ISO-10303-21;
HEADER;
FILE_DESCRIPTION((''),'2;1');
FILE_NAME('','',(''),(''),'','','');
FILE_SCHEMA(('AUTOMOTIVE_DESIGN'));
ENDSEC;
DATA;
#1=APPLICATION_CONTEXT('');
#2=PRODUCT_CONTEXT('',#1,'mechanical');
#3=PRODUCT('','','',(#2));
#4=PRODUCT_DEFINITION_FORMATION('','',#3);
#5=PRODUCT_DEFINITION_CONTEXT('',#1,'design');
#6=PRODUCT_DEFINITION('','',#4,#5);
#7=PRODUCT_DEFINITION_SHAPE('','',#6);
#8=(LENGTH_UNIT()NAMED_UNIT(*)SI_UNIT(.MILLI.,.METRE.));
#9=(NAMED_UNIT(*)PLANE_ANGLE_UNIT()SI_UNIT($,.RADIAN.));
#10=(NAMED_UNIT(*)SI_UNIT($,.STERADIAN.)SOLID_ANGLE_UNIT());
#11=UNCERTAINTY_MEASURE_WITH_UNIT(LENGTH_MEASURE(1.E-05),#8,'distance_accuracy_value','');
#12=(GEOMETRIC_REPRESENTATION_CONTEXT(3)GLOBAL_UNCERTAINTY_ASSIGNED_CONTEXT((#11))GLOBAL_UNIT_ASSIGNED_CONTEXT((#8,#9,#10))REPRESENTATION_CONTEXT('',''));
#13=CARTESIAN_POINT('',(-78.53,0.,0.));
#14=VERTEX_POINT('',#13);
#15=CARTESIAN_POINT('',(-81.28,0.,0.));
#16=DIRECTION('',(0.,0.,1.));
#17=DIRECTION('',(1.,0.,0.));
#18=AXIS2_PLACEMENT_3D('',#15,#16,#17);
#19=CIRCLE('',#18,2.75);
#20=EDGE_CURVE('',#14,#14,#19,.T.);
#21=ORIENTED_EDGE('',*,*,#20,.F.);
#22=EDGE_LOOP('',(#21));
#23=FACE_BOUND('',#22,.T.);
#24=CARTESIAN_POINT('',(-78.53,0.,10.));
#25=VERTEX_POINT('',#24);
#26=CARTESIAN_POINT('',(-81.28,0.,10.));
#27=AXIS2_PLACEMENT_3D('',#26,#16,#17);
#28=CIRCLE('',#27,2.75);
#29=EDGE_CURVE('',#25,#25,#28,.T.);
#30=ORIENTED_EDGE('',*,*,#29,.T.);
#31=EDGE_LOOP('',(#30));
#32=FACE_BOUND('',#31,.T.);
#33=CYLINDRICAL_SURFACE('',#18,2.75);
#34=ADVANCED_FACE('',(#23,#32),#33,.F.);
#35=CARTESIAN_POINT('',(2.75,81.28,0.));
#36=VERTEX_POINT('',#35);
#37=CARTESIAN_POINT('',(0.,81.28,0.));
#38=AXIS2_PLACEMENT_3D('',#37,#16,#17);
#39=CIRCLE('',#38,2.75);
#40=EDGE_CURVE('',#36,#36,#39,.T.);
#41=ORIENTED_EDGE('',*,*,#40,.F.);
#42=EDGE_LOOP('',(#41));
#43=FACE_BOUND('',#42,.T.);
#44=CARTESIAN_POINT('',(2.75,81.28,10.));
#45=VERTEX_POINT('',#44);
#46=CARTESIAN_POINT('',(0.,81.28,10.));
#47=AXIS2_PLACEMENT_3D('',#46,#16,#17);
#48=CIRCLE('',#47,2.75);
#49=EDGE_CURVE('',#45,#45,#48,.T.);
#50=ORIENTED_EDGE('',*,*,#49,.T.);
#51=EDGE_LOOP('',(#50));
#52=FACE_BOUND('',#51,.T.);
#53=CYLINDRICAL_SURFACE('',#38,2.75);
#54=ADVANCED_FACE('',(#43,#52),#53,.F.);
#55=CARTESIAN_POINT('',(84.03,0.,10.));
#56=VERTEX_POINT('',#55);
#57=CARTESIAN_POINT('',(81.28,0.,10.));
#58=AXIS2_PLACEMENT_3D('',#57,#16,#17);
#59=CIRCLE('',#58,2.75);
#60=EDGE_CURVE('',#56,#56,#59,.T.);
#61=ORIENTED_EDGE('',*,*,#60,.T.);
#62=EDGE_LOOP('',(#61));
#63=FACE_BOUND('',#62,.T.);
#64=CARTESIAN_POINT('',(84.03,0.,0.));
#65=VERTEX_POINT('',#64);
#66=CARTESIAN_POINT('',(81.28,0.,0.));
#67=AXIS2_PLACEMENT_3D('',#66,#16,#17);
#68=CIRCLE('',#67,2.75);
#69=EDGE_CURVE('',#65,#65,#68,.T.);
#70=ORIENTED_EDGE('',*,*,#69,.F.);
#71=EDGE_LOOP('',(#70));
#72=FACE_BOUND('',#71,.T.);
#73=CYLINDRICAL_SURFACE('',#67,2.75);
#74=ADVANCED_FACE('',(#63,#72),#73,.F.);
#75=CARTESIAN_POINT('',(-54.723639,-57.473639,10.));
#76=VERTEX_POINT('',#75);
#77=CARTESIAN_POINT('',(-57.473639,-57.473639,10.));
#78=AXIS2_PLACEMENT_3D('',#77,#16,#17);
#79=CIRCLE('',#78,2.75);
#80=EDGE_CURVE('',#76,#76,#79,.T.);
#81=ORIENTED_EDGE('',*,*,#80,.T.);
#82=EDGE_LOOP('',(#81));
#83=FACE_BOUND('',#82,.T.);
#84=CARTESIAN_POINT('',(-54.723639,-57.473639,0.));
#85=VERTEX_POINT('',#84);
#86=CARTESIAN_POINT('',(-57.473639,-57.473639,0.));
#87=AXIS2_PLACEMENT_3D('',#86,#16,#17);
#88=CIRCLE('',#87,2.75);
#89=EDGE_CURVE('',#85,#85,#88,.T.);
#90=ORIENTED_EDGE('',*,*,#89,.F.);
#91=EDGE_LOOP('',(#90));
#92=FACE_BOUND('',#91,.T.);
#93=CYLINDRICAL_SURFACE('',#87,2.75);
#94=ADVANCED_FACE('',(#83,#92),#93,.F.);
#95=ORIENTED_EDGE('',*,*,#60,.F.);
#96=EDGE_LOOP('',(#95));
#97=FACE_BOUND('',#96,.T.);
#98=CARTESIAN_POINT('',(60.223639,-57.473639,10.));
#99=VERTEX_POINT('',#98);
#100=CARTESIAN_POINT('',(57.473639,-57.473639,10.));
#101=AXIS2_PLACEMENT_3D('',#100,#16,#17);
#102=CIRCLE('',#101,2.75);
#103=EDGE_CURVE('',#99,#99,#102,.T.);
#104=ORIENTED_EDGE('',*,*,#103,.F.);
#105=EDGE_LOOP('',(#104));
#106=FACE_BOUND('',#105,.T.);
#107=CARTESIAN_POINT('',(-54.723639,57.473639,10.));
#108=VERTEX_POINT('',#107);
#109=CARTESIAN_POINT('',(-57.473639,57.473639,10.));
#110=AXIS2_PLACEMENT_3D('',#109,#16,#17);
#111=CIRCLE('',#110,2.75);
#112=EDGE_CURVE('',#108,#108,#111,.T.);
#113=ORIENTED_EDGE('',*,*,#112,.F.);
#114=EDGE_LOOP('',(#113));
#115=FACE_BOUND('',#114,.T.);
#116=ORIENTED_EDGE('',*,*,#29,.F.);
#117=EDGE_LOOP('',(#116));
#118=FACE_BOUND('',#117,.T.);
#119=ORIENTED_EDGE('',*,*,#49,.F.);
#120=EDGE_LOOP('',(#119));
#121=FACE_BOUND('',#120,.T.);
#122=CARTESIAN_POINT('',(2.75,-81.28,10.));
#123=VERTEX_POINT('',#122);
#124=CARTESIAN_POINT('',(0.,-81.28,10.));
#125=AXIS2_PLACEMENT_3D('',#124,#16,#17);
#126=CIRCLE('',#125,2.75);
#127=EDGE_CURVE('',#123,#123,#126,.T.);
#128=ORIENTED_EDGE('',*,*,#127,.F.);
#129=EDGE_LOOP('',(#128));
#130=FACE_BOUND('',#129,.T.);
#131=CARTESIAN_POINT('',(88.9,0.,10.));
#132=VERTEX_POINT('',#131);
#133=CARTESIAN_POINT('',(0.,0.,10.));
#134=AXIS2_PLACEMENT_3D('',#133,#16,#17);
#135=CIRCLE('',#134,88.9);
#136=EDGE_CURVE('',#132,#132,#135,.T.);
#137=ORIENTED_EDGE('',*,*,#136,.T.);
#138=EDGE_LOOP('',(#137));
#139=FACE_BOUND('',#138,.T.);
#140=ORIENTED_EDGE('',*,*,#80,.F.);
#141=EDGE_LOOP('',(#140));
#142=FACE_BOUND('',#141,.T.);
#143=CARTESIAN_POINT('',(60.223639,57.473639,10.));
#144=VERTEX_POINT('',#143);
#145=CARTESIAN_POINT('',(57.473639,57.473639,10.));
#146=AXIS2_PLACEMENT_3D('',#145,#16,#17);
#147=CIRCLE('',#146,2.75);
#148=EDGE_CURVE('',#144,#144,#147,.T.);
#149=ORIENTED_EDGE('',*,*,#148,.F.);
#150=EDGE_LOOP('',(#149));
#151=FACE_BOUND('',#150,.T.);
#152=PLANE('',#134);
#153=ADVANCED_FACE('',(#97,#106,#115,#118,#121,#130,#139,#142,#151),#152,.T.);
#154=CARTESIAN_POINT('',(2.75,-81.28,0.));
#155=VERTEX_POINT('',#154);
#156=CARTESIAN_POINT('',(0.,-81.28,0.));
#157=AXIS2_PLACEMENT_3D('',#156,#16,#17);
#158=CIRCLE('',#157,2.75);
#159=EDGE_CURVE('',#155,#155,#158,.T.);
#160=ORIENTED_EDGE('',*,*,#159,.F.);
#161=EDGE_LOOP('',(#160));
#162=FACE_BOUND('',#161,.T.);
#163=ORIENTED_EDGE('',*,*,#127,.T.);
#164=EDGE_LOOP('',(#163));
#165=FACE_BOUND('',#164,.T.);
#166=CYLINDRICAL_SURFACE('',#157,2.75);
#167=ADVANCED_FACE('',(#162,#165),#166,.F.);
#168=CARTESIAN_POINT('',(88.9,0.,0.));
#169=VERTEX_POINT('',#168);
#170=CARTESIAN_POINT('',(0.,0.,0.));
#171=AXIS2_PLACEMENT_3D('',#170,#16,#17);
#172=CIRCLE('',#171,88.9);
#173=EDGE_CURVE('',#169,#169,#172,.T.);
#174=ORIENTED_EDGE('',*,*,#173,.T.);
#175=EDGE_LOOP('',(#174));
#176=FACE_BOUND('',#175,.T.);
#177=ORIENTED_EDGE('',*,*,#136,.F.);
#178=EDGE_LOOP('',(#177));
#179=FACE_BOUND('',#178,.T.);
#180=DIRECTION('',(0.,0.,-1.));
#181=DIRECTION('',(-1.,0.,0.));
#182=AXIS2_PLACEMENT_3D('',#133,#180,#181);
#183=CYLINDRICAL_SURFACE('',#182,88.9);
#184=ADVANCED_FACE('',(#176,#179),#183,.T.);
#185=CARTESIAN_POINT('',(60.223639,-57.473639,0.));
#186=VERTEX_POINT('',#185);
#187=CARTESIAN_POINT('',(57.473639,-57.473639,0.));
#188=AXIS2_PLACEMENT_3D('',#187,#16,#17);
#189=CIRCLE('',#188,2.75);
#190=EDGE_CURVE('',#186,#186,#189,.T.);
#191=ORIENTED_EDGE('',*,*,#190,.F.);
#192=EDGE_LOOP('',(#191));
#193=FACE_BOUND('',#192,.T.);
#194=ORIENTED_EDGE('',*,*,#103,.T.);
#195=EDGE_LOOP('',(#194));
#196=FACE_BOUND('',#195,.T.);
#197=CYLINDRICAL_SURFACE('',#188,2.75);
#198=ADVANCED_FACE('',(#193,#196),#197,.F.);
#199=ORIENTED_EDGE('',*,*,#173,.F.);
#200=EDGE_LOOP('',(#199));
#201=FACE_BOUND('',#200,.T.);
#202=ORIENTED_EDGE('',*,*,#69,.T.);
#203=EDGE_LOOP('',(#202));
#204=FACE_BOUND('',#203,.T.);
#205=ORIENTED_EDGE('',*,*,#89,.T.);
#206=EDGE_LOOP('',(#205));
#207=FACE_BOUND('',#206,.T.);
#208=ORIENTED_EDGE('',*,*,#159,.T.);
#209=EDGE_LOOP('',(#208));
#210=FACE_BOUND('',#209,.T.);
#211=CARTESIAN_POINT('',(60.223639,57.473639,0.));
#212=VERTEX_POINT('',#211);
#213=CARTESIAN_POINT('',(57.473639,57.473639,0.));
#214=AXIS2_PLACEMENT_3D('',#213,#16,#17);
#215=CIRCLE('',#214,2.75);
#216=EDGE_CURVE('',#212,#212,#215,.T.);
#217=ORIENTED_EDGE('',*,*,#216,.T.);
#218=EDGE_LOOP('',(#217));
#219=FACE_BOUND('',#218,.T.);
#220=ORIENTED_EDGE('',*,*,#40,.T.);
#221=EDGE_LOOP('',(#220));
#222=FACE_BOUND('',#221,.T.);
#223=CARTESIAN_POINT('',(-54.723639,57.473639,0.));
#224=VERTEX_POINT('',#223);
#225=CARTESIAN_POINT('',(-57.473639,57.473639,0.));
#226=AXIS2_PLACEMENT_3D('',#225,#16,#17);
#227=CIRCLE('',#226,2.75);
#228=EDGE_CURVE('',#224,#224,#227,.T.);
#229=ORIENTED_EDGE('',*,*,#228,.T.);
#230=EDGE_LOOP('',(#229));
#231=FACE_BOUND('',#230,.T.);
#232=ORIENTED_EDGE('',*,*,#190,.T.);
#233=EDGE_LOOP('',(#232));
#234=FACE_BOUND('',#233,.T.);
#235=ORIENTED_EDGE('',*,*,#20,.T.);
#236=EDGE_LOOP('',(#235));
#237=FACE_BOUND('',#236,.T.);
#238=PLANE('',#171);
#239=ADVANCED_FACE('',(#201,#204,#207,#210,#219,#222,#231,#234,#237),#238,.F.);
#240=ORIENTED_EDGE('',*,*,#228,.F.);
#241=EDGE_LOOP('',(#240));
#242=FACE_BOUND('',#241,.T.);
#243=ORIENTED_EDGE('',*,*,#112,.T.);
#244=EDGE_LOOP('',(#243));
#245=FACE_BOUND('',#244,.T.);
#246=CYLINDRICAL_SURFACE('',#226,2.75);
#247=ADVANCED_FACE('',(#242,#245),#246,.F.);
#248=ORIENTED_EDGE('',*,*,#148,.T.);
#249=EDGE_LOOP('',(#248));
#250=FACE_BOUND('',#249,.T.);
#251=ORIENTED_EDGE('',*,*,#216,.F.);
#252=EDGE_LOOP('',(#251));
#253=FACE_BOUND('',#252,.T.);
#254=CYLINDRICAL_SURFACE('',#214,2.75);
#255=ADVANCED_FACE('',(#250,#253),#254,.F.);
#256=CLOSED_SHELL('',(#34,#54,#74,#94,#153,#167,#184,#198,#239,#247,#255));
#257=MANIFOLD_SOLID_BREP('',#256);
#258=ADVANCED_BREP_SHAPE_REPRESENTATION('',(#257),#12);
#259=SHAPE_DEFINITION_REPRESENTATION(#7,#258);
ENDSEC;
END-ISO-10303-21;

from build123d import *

# Parameters (mm, degrees)
SKETCH2_R           = 88.9
BOSS_EXTRUDE1_DEPTH = 10
SKETCH3_R           = 2.75
CUT_EXTRUDE1_DEPTH  = 11


with BuildPart() as part:
    # Sketch2 → Boss-Extrude1 (new body)
    with BuildSketch(Plane.XY):
        Circle(SKETCH2_R)
    extrude(amount=BOSS_EXTRUDE1_DEPTH)

    # Sketch3 → Cut-Extrude1 (cut, through all)
    with BuildSketch(Plane.XY.offset(10)):
        with Locations((0, 81.28)):
            Circle(SKETCH3_R)
        with Locations((57.473639175, 57.473639175)):
            Circle(SKETCH3_R)
        with Locations((81.28, 0)):
            Circle(SKETCH3_R)
        with Locations((57.473639175, -57.473639175)):
            Circle(SKETCH3_R)
        with Locations((0, -81.28)):
            Circle(SKETCH3_R)
        with Locations((-57.473639175, -57.473639175)):
            Circle(SKETCH3_R)
        with Locations((-81.28, 0)):
            Circle(SKETCH3_R)
        with Locations((-57.473639175, 57.473639175)):
            Circle(SKETCH3_R)
    extrude(amount=-CUT_EXTRUDE1_DEPTH, mode=Mode.SUBTRACT)


solid = part.part
